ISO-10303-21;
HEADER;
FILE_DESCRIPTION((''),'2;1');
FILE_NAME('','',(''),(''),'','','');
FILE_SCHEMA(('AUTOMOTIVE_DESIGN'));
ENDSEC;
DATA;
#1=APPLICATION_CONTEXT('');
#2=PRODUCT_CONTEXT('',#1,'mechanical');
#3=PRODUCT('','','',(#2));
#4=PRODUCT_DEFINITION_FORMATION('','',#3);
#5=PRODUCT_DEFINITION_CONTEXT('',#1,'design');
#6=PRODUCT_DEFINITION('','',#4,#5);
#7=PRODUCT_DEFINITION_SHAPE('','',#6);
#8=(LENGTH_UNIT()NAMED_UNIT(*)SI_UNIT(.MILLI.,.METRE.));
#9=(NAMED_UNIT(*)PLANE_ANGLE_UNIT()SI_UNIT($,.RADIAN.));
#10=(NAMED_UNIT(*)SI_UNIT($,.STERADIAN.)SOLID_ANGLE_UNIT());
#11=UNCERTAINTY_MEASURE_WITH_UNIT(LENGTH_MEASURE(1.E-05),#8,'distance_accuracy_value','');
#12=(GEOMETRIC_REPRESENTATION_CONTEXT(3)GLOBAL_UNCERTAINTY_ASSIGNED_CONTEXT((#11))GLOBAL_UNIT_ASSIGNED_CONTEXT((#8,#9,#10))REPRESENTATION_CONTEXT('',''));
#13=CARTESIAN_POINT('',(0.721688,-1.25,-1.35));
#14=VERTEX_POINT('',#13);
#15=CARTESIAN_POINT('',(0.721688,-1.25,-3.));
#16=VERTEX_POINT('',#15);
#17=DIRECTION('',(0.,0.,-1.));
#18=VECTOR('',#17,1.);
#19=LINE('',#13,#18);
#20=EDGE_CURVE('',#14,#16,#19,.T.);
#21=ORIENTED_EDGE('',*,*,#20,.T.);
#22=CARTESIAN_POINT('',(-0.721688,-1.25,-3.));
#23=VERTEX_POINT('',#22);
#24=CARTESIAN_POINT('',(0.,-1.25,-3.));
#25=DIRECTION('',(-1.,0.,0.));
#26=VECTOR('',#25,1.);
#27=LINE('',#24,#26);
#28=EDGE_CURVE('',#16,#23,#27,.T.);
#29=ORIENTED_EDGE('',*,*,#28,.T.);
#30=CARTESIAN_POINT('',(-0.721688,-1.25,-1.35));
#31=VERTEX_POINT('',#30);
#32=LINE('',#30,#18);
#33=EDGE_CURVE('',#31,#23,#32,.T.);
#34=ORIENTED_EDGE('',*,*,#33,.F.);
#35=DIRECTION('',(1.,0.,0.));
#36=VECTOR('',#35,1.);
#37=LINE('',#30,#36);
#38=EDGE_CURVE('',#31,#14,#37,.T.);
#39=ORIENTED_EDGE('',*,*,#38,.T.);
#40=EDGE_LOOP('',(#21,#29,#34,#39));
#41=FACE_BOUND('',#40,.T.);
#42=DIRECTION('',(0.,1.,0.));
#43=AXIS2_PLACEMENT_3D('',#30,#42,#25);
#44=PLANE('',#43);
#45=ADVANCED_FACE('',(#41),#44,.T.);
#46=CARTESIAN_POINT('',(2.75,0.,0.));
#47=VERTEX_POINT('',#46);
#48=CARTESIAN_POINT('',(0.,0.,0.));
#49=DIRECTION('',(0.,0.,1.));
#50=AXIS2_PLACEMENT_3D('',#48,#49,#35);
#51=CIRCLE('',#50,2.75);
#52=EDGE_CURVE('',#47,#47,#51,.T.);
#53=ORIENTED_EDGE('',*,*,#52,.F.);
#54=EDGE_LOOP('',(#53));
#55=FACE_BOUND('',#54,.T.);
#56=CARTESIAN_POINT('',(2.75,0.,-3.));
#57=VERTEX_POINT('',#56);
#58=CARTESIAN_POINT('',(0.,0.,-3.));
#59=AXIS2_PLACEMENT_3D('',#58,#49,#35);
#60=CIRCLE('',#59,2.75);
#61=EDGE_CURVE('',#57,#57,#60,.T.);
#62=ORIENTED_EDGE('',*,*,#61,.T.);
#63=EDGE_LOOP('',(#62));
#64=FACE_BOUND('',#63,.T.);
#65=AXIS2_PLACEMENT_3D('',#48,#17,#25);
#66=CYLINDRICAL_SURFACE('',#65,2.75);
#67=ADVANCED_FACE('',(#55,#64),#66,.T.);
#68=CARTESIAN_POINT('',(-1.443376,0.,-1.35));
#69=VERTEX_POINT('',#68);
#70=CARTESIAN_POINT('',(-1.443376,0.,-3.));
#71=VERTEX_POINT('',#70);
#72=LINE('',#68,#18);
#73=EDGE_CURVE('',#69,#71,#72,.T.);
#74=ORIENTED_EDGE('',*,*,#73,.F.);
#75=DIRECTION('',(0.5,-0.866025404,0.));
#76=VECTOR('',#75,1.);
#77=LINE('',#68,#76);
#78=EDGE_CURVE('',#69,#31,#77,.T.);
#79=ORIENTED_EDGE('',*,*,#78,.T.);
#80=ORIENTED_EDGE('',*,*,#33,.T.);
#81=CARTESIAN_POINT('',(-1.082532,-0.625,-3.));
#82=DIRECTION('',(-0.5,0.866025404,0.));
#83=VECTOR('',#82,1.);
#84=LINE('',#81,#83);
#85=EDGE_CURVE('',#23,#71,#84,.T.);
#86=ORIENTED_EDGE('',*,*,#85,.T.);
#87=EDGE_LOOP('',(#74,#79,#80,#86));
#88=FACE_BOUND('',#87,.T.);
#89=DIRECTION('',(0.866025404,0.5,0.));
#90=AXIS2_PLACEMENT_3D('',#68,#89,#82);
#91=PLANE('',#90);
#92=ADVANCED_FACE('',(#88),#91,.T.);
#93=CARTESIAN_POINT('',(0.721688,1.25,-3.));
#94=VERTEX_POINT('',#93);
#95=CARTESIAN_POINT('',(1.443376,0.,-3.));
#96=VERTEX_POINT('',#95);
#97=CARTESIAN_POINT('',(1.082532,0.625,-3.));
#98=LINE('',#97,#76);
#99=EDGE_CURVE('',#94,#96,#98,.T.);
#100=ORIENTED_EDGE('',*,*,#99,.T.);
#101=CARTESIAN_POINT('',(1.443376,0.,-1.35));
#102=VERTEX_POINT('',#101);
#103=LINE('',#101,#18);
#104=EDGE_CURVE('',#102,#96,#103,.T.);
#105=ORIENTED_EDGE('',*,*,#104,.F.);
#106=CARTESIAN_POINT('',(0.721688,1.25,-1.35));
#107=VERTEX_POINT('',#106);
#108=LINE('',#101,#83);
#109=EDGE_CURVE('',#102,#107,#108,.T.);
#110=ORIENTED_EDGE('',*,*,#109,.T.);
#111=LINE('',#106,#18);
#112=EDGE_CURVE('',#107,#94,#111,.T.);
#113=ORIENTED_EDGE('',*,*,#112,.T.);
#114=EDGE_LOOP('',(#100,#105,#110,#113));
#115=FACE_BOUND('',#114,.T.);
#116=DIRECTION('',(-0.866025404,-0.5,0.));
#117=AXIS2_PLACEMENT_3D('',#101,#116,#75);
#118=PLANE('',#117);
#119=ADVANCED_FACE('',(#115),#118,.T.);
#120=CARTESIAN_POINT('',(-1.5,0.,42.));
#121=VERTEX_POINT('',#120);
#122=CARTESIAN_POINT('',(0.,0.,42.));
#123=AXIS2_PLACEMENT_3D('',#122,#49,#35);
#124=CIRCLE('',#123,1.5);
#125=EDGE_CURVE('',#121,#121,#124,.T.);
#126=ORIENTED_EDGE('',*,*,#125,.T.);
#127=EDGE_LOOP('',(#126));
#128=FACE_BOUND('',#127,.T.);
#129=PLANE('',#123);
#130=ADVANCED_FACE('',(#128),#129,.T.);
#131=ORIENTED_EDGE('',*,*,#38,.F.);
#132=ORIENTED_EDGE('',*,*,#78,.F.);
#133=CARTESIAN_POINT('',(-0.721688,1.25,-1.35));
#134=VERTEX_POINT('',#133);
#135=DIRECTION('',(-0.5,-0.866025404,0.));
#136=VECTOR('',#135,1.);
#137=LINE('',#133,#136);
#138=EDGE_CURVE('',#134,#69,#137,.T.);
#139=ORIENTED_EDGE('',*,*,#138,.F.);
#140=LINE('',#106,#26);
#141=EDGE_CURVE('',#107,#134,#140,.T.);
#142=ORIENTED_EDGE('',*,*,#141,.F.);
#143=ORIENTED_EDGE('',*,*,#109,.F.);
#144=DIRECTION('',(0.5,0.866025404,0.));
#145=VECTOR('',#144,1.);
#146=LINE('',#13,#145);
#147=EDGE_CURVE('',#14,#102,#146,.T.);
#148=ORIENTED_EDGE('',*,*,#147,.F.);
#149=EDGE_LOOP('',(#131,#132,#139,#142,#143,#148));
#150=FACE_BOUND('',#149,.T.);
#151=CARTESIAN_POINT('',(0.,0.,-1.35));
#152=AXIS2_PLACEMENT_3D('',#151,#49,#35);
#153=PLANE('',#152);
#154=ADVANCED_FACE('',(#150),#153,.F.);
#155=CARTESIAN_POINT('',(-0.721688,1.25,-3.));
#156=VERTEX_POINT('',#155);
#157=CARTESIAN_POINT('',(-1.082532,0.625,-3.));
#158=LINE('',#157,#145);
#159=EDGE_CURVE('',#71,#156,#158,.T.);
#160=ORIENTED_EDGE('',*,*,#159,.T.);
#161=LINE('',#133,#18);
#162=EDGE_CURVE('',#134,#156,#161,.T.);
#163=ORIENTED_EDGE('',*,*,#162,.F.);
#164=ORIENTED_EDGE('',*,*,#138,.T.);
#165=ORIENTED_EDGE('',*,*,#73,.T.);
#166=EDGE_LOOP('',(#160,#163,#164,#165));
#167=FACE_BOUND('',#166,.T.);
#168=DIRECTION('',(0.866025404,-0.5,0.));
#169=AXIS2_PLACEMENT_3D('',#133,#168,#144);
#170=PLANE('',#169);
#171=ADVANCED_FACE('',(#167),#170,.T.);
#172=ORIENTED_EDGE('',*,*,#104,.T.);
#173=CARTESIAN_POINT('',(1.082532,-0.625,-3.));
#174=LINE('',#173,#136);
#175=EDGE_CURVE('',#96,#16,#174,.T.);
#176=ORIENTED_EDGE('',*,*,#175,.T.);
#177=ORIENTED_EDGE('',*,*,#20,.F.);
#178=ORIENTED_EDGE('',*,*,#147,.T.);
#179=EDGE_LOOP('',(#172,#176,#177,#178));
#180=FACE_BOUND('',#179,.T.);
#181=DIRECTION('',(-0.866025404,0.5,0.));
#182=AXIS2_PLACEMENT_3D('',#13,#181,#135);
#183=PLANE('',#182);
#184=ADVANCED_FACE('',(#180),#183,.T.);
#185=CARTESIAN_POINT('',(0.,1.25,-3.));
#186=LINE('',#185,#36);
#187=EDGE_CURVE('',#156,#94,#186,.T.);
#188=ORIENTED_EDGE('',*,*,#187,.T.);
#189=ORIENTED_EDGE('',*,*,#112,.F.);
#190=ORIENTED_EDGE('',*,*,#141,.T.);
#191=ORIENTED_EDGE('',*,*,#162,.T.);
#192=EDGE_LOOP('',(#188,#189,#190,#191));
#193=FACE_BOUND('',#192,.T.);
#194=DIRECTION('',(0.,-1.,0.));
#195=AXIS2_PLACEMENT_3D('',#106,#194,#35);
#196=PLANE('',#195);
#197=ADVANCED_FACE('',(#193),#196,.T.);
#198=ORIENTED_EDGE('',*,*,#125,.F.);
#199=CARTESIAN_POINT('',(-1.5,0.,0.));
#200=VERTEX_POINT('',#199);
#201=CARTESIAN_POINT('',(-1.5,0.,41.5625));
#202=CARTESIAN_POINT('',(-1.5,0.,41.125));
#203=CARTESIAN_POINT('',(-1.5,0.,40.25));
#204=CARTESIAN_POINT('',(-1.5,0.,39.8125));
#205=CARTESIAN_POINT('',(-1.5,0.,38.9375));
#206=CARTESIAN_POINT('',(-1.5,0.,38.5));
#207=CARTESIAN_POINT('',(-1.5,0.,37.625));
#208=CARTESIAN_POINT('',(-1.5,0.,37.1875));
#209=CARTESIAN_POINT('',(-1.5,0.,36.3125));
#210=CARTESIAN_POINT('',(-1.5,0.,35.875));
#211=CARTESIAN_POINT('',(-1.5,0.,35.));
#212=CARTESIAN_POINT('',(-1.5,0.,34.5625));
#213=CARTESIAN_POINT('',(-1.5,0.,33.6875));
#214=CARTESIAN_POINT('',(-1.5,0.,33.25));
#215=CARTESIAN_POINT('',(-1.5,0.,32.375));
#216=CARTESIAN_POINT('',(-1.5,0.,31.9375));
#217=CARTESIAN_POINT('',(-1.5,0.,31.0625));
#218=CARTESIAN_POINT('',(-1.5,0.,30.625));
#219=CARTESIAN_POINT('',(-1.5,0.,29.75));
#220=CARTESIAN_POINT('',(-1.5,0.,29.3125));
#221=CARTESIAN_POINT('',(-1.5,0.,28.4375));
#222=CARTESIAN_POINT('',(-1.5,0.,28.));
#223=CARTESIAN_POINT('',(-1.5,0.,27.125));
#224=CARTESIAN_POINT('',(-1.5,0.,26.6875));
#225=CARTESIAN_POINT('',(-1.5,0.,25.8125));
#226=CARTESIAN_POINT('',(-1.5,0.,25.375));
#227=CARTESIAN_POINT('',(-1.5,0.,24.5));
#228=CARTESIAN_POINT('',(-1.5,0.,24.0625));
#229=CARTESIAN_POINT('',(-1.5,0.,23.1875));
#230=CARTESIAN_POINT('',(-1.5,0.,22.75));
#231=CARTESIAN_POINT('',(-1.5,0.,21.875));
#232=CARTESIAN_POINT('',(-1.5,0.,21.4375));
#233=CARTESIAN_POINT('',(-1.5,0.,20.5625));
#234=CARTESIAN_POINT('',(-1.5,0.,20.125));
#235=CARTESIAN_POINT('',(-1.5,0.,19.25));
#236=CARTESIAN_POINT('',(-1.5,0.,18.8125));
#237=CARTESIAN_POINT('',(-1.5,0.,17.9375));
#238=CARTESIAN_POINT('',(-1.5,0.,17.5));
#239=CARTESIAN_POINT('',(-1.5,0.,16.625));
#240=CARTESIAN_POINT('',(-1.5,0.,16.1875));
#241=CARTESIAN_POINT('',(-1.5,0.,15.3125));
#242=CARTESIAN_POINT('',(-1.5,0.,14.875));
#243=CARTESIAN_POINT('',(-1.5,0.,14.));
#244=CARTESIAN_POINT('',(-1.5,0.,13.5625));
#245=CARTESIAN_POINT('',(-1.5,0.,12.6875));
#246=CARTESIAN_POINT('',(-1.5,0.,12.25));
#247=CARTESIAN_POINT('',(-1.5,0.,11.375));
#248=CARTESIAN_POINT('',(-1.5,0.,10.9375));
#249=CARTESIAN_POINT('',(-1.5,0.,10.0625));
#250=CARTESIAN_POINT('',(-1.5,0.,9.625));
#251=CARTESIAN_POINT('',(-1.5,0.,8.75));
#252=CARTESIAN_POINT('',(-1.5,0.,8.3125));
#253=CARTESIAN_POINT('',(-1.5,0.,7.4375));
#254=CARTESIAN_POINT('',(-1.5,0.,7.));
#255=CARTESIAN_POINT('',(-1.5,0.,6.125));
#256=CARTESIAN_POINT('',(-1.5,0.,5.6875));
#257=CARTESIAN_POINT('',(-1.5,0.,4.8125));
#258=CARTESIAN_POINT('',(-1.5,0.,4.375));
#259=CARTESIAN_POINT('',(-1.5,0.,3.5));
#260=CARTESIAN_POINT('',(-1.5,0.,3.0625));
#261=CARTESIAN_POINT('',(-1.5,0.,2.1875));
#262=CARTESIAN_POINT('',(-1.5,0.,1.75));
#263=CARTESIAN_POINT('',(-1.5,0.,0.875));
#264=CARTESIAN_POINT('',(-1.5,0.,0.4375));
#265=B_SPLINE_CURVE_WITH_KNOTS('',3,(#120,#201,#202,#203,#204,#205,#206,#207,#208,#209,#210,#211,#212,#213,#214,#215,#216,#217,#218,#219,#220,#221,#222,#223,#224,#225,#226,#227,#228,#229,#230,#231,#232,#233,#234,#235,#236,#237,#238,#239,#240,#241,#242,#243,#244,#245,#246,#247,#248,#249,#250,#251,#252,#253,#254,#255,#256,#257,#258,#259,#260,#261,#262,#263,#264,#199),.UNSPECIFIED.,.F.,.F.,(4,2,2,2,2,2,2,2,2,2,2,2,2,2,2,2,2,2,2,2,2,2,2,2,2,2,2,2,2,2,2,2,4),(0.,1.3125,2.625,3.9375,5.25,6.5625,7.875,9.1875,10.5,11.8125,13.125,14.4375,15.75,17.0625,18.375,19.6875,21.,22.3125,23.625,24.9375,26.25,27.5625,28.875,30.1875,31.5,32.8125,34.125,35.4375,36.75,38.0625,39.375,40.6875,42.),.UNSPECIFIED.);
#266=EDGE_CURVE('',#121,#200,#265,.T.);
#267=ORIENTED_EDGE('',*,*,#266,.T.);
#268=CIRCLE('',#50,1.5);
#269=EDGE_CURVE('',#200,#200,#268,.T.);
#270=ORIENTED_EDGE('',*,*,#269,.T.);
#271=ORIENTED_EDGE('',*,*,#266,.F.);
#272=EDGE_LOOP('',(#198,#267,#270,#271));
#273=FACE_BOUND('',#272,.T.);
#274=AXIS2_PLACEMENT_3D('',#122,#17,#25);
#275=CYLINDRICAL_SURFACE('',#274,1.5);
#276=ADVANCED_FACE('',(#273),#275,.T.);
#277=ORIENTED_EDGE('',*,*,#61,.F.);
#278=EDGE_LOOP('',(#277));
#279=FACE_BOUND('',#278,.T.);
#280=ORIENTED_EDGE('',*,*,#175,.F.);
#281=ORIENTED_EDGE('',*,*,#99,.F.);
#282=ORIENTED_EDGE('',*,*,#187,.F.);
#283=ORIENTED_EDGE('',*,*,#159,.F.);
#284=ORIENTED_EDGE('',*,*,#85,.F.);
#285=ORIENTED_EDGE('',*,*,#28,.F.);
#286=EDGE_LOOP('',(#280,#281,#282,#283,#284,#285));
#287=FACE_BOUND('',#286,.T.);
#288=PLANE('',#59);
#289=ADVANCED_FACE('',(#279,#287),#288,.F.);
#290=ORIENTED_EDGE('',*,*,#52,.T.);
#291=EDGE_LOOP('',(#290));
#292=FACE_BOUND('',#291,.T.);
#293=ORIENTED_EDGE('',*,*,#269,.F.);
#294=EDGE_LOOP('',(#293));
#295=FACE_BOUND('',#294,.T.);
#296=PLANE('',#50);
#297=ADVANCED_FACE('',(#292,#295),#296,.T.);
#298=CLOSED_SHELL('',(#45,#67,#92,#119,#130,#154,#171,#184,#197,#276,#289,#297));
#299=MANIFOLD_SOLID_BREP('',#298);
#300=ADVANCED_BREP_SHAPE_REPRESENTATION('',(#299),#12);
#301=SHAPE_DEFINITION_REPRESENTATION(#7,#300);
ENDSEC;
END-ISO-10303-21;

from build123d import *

# Parameters (mm, degrees)
F_01_START                = -3
S01_HEAD_R                = 2.75
F_01_HEAD_DEPTH           = 3
S02_NOMINAL_SHANK_R       = 1.5
F_02_NOMINAL_SHANK_DEPTH  = 42
F_03_START                = -3.1
F_03_HEX_KEY_SOCKET_DEPTH = 1.75


with BuildPart() as part:
    # S01 - Head → 01 - Head (new body)
    with BuildSketch(Plane.XY.offset(F_01_START)):
        Circle(S01_HEAD_R)
    extrude(amount=F_01_HEAD_DEPTH)

    # S02 - Nominal shank → 02 - Nominal shank (add)
    with BuildSketch(Plane.XY):
        with Locations(Location((0, 0, 0), (0, 0, 180))):
            Circle(S02_NOMINAL_SHANK_R)
    extrude(amount=F_02_NOMINAL_SHANK_DEPTH)

    # S03 - Hex key socket → 03 - Hex key socket (cut)
    with BuildSketch(Plane.XY.offset(F_03_START)):
        Polygon((1.443375673, 0), (0.721687836, 1.25), (-0.721687836, 1.25), (-1.443375673, 0), (-0.721687836, -1.25), (0.721687836, -1.25), align=None)
    extrude(amount=F_03_HEX_KEY_SOCKET_DEPTH, mode=Mode.SUBTRACT)


solid = part.part
